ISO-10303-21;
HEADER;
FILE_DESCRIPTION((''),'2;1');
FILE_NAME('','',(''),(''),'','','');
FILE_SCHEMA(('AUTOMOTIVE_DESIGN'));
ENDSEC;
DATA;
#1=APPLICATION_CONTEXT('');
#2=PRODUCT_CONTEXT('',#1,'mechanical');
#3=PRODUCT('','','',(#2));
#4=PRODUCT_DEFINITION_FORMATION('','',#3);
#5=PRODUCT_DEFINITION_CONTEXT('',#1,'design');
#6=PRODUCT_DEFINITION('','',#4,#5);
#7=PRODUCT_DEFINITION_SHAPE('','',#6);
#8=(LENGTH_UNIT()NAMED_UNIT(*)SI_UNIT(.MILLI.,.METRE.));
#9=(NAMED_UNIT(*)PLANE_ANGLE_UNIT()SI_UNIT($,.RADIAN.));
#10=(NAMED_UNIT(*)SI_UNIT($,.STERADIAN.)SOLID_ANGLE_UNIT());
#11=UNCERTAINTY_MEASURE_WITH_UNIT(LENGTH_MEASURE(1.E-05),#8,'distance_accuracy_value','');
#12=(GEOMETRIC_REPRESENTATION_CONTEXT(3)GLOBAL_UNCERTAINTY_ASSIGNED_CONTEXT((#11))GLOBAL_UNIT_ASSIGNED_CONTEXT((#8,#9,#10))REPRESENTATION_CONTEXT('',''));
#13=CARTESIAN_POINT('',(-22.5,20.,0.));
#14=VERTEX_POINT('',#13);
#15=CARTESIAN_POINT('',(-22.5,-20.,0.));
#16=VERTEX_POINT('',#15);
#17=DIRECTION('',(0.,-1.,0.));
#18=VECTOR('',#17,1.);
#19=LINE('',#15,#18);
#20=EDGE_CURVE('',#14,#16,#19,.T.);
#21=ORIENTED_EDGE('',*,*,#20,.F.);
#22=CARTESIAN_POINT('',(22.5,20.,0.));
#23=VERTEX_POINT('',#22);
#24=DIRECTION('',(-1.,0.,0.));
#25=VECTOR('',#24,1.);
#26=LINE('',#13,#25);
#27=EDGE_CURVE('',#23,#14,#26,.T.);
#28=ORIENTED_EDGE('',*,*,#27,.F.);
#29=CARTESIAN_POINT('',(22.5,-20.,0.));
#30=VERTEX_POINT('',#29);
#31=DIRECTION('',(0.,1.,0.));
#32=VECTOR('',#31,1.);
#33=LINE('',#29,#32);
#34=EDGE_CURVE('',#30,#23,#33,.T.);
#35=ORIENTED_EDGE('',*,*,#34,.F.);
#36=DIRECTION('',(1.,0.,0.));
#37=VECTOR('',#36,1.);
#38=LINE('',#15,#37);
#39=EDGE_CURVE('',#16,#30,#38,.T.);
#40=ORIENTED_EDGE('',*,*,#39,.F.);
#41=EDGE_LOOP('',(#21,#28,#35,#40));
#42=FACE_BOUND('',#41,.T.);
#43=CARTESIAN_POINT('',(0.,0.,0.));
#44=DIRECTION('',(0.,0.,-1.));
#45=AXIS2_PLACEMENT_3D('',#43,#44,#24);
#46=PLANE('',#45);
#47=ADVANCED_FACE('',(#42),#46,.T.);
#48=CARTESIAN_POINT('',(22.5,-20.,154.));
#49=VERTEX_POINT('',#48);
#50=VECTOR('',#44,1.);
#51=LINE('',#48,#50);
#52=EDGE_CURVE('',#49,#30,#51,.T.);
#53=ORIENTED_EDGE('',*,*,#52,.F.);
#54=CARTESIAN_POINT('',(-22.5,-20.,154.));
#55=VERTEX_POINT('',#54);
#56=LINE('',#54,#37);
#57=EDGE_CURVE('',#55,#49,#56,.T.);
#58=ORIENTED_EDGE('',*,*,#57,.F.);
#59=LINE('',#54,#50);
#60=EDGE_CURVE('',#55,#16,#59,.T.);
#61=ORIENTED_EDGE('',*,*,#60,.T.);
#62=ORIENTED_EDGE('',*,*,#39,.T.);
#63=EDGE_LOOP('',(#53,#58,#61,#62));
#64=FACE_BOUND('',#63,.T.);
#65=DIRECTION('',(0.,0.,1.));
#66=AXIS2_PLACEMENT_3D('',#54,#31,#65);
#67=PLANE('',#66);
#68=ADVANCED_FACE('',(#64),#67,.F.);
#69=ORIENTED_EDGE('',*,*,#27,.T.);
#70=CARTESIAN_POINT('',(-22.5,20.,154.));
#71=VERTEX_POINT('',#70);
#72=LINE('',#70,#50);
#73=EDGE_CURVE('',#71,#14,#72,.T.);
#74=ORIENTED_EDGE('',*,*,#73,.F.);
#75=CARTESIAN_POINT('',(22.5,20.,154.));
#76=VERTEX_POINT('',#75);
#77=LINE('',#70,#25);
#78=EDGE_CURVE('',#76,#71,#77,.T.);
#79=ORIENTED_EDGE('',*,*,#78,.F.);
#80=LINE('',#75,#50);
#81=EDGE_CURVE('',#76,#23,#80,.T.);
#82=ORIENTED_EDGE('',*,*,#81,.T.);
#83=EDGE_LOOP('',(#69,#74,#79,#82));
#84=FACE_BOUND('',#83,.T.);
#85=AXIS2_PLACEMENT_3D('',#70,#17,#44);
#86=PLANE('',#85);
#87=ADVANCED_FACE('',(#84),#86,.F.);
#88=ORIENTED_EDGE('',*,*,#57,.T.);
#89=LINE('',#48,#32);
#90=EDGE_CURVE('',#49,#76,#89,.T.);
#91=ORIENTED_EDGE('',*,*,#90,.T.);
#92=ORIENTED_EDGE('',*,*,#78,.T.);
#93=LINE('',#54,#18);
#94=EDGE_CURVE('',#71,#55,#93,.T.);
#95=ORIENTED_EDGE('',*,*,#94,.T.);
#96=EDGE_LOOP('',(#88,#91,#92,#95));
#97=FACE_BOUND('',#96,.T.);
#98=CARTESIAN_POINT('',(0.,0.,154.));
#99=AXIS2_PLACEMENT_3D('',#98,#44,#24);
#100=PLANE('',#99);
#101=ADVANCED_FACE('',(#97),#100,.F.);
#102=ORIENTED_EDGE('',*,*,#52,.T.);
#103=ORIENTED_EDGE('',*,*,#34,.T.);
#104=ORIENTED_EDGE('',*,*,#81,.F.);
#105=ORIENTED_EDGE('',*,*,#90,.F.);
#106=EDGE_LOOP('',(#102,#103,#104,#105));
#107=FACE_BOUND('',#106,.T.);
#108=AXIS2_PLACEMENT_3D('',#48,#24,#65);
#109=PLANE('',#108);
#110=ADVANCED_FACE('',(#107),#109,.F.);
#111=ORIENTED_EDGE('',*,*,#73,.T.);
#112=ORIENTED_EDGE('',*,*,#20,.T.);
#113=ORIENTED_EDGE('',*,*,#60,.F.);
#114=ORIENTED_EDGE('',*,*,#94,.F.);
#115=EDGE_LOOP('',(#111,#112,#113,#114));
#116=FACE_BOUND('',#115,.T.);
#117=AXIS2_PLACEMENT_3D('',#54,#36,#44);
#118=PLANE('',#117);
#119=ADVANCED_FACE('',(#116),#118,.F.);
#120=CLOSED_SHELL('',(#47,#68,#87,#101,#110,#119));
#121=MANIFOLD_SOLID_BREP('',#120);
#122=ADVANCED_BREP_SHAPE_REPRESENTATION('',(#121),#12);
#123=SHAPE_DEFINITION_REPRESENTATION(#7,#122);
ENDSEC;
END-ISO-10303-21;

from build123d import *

# Parameters (mm, degrees)
SKETCH1_W           = 45
SKETCH1_H           = 40
BOSS_EXTRUDE1_DEPTH = 154


with BuildPart() as part:
    # Sketch1 → Boss-Extrude1 (new body)
    with BuildSketch(Plane.XY):
        Rectangle(SKETCH1_W, SKETCH1_H)
    extrude(amount=BOSS_EXTRUDE1_DEPTH)


solid = part.part
